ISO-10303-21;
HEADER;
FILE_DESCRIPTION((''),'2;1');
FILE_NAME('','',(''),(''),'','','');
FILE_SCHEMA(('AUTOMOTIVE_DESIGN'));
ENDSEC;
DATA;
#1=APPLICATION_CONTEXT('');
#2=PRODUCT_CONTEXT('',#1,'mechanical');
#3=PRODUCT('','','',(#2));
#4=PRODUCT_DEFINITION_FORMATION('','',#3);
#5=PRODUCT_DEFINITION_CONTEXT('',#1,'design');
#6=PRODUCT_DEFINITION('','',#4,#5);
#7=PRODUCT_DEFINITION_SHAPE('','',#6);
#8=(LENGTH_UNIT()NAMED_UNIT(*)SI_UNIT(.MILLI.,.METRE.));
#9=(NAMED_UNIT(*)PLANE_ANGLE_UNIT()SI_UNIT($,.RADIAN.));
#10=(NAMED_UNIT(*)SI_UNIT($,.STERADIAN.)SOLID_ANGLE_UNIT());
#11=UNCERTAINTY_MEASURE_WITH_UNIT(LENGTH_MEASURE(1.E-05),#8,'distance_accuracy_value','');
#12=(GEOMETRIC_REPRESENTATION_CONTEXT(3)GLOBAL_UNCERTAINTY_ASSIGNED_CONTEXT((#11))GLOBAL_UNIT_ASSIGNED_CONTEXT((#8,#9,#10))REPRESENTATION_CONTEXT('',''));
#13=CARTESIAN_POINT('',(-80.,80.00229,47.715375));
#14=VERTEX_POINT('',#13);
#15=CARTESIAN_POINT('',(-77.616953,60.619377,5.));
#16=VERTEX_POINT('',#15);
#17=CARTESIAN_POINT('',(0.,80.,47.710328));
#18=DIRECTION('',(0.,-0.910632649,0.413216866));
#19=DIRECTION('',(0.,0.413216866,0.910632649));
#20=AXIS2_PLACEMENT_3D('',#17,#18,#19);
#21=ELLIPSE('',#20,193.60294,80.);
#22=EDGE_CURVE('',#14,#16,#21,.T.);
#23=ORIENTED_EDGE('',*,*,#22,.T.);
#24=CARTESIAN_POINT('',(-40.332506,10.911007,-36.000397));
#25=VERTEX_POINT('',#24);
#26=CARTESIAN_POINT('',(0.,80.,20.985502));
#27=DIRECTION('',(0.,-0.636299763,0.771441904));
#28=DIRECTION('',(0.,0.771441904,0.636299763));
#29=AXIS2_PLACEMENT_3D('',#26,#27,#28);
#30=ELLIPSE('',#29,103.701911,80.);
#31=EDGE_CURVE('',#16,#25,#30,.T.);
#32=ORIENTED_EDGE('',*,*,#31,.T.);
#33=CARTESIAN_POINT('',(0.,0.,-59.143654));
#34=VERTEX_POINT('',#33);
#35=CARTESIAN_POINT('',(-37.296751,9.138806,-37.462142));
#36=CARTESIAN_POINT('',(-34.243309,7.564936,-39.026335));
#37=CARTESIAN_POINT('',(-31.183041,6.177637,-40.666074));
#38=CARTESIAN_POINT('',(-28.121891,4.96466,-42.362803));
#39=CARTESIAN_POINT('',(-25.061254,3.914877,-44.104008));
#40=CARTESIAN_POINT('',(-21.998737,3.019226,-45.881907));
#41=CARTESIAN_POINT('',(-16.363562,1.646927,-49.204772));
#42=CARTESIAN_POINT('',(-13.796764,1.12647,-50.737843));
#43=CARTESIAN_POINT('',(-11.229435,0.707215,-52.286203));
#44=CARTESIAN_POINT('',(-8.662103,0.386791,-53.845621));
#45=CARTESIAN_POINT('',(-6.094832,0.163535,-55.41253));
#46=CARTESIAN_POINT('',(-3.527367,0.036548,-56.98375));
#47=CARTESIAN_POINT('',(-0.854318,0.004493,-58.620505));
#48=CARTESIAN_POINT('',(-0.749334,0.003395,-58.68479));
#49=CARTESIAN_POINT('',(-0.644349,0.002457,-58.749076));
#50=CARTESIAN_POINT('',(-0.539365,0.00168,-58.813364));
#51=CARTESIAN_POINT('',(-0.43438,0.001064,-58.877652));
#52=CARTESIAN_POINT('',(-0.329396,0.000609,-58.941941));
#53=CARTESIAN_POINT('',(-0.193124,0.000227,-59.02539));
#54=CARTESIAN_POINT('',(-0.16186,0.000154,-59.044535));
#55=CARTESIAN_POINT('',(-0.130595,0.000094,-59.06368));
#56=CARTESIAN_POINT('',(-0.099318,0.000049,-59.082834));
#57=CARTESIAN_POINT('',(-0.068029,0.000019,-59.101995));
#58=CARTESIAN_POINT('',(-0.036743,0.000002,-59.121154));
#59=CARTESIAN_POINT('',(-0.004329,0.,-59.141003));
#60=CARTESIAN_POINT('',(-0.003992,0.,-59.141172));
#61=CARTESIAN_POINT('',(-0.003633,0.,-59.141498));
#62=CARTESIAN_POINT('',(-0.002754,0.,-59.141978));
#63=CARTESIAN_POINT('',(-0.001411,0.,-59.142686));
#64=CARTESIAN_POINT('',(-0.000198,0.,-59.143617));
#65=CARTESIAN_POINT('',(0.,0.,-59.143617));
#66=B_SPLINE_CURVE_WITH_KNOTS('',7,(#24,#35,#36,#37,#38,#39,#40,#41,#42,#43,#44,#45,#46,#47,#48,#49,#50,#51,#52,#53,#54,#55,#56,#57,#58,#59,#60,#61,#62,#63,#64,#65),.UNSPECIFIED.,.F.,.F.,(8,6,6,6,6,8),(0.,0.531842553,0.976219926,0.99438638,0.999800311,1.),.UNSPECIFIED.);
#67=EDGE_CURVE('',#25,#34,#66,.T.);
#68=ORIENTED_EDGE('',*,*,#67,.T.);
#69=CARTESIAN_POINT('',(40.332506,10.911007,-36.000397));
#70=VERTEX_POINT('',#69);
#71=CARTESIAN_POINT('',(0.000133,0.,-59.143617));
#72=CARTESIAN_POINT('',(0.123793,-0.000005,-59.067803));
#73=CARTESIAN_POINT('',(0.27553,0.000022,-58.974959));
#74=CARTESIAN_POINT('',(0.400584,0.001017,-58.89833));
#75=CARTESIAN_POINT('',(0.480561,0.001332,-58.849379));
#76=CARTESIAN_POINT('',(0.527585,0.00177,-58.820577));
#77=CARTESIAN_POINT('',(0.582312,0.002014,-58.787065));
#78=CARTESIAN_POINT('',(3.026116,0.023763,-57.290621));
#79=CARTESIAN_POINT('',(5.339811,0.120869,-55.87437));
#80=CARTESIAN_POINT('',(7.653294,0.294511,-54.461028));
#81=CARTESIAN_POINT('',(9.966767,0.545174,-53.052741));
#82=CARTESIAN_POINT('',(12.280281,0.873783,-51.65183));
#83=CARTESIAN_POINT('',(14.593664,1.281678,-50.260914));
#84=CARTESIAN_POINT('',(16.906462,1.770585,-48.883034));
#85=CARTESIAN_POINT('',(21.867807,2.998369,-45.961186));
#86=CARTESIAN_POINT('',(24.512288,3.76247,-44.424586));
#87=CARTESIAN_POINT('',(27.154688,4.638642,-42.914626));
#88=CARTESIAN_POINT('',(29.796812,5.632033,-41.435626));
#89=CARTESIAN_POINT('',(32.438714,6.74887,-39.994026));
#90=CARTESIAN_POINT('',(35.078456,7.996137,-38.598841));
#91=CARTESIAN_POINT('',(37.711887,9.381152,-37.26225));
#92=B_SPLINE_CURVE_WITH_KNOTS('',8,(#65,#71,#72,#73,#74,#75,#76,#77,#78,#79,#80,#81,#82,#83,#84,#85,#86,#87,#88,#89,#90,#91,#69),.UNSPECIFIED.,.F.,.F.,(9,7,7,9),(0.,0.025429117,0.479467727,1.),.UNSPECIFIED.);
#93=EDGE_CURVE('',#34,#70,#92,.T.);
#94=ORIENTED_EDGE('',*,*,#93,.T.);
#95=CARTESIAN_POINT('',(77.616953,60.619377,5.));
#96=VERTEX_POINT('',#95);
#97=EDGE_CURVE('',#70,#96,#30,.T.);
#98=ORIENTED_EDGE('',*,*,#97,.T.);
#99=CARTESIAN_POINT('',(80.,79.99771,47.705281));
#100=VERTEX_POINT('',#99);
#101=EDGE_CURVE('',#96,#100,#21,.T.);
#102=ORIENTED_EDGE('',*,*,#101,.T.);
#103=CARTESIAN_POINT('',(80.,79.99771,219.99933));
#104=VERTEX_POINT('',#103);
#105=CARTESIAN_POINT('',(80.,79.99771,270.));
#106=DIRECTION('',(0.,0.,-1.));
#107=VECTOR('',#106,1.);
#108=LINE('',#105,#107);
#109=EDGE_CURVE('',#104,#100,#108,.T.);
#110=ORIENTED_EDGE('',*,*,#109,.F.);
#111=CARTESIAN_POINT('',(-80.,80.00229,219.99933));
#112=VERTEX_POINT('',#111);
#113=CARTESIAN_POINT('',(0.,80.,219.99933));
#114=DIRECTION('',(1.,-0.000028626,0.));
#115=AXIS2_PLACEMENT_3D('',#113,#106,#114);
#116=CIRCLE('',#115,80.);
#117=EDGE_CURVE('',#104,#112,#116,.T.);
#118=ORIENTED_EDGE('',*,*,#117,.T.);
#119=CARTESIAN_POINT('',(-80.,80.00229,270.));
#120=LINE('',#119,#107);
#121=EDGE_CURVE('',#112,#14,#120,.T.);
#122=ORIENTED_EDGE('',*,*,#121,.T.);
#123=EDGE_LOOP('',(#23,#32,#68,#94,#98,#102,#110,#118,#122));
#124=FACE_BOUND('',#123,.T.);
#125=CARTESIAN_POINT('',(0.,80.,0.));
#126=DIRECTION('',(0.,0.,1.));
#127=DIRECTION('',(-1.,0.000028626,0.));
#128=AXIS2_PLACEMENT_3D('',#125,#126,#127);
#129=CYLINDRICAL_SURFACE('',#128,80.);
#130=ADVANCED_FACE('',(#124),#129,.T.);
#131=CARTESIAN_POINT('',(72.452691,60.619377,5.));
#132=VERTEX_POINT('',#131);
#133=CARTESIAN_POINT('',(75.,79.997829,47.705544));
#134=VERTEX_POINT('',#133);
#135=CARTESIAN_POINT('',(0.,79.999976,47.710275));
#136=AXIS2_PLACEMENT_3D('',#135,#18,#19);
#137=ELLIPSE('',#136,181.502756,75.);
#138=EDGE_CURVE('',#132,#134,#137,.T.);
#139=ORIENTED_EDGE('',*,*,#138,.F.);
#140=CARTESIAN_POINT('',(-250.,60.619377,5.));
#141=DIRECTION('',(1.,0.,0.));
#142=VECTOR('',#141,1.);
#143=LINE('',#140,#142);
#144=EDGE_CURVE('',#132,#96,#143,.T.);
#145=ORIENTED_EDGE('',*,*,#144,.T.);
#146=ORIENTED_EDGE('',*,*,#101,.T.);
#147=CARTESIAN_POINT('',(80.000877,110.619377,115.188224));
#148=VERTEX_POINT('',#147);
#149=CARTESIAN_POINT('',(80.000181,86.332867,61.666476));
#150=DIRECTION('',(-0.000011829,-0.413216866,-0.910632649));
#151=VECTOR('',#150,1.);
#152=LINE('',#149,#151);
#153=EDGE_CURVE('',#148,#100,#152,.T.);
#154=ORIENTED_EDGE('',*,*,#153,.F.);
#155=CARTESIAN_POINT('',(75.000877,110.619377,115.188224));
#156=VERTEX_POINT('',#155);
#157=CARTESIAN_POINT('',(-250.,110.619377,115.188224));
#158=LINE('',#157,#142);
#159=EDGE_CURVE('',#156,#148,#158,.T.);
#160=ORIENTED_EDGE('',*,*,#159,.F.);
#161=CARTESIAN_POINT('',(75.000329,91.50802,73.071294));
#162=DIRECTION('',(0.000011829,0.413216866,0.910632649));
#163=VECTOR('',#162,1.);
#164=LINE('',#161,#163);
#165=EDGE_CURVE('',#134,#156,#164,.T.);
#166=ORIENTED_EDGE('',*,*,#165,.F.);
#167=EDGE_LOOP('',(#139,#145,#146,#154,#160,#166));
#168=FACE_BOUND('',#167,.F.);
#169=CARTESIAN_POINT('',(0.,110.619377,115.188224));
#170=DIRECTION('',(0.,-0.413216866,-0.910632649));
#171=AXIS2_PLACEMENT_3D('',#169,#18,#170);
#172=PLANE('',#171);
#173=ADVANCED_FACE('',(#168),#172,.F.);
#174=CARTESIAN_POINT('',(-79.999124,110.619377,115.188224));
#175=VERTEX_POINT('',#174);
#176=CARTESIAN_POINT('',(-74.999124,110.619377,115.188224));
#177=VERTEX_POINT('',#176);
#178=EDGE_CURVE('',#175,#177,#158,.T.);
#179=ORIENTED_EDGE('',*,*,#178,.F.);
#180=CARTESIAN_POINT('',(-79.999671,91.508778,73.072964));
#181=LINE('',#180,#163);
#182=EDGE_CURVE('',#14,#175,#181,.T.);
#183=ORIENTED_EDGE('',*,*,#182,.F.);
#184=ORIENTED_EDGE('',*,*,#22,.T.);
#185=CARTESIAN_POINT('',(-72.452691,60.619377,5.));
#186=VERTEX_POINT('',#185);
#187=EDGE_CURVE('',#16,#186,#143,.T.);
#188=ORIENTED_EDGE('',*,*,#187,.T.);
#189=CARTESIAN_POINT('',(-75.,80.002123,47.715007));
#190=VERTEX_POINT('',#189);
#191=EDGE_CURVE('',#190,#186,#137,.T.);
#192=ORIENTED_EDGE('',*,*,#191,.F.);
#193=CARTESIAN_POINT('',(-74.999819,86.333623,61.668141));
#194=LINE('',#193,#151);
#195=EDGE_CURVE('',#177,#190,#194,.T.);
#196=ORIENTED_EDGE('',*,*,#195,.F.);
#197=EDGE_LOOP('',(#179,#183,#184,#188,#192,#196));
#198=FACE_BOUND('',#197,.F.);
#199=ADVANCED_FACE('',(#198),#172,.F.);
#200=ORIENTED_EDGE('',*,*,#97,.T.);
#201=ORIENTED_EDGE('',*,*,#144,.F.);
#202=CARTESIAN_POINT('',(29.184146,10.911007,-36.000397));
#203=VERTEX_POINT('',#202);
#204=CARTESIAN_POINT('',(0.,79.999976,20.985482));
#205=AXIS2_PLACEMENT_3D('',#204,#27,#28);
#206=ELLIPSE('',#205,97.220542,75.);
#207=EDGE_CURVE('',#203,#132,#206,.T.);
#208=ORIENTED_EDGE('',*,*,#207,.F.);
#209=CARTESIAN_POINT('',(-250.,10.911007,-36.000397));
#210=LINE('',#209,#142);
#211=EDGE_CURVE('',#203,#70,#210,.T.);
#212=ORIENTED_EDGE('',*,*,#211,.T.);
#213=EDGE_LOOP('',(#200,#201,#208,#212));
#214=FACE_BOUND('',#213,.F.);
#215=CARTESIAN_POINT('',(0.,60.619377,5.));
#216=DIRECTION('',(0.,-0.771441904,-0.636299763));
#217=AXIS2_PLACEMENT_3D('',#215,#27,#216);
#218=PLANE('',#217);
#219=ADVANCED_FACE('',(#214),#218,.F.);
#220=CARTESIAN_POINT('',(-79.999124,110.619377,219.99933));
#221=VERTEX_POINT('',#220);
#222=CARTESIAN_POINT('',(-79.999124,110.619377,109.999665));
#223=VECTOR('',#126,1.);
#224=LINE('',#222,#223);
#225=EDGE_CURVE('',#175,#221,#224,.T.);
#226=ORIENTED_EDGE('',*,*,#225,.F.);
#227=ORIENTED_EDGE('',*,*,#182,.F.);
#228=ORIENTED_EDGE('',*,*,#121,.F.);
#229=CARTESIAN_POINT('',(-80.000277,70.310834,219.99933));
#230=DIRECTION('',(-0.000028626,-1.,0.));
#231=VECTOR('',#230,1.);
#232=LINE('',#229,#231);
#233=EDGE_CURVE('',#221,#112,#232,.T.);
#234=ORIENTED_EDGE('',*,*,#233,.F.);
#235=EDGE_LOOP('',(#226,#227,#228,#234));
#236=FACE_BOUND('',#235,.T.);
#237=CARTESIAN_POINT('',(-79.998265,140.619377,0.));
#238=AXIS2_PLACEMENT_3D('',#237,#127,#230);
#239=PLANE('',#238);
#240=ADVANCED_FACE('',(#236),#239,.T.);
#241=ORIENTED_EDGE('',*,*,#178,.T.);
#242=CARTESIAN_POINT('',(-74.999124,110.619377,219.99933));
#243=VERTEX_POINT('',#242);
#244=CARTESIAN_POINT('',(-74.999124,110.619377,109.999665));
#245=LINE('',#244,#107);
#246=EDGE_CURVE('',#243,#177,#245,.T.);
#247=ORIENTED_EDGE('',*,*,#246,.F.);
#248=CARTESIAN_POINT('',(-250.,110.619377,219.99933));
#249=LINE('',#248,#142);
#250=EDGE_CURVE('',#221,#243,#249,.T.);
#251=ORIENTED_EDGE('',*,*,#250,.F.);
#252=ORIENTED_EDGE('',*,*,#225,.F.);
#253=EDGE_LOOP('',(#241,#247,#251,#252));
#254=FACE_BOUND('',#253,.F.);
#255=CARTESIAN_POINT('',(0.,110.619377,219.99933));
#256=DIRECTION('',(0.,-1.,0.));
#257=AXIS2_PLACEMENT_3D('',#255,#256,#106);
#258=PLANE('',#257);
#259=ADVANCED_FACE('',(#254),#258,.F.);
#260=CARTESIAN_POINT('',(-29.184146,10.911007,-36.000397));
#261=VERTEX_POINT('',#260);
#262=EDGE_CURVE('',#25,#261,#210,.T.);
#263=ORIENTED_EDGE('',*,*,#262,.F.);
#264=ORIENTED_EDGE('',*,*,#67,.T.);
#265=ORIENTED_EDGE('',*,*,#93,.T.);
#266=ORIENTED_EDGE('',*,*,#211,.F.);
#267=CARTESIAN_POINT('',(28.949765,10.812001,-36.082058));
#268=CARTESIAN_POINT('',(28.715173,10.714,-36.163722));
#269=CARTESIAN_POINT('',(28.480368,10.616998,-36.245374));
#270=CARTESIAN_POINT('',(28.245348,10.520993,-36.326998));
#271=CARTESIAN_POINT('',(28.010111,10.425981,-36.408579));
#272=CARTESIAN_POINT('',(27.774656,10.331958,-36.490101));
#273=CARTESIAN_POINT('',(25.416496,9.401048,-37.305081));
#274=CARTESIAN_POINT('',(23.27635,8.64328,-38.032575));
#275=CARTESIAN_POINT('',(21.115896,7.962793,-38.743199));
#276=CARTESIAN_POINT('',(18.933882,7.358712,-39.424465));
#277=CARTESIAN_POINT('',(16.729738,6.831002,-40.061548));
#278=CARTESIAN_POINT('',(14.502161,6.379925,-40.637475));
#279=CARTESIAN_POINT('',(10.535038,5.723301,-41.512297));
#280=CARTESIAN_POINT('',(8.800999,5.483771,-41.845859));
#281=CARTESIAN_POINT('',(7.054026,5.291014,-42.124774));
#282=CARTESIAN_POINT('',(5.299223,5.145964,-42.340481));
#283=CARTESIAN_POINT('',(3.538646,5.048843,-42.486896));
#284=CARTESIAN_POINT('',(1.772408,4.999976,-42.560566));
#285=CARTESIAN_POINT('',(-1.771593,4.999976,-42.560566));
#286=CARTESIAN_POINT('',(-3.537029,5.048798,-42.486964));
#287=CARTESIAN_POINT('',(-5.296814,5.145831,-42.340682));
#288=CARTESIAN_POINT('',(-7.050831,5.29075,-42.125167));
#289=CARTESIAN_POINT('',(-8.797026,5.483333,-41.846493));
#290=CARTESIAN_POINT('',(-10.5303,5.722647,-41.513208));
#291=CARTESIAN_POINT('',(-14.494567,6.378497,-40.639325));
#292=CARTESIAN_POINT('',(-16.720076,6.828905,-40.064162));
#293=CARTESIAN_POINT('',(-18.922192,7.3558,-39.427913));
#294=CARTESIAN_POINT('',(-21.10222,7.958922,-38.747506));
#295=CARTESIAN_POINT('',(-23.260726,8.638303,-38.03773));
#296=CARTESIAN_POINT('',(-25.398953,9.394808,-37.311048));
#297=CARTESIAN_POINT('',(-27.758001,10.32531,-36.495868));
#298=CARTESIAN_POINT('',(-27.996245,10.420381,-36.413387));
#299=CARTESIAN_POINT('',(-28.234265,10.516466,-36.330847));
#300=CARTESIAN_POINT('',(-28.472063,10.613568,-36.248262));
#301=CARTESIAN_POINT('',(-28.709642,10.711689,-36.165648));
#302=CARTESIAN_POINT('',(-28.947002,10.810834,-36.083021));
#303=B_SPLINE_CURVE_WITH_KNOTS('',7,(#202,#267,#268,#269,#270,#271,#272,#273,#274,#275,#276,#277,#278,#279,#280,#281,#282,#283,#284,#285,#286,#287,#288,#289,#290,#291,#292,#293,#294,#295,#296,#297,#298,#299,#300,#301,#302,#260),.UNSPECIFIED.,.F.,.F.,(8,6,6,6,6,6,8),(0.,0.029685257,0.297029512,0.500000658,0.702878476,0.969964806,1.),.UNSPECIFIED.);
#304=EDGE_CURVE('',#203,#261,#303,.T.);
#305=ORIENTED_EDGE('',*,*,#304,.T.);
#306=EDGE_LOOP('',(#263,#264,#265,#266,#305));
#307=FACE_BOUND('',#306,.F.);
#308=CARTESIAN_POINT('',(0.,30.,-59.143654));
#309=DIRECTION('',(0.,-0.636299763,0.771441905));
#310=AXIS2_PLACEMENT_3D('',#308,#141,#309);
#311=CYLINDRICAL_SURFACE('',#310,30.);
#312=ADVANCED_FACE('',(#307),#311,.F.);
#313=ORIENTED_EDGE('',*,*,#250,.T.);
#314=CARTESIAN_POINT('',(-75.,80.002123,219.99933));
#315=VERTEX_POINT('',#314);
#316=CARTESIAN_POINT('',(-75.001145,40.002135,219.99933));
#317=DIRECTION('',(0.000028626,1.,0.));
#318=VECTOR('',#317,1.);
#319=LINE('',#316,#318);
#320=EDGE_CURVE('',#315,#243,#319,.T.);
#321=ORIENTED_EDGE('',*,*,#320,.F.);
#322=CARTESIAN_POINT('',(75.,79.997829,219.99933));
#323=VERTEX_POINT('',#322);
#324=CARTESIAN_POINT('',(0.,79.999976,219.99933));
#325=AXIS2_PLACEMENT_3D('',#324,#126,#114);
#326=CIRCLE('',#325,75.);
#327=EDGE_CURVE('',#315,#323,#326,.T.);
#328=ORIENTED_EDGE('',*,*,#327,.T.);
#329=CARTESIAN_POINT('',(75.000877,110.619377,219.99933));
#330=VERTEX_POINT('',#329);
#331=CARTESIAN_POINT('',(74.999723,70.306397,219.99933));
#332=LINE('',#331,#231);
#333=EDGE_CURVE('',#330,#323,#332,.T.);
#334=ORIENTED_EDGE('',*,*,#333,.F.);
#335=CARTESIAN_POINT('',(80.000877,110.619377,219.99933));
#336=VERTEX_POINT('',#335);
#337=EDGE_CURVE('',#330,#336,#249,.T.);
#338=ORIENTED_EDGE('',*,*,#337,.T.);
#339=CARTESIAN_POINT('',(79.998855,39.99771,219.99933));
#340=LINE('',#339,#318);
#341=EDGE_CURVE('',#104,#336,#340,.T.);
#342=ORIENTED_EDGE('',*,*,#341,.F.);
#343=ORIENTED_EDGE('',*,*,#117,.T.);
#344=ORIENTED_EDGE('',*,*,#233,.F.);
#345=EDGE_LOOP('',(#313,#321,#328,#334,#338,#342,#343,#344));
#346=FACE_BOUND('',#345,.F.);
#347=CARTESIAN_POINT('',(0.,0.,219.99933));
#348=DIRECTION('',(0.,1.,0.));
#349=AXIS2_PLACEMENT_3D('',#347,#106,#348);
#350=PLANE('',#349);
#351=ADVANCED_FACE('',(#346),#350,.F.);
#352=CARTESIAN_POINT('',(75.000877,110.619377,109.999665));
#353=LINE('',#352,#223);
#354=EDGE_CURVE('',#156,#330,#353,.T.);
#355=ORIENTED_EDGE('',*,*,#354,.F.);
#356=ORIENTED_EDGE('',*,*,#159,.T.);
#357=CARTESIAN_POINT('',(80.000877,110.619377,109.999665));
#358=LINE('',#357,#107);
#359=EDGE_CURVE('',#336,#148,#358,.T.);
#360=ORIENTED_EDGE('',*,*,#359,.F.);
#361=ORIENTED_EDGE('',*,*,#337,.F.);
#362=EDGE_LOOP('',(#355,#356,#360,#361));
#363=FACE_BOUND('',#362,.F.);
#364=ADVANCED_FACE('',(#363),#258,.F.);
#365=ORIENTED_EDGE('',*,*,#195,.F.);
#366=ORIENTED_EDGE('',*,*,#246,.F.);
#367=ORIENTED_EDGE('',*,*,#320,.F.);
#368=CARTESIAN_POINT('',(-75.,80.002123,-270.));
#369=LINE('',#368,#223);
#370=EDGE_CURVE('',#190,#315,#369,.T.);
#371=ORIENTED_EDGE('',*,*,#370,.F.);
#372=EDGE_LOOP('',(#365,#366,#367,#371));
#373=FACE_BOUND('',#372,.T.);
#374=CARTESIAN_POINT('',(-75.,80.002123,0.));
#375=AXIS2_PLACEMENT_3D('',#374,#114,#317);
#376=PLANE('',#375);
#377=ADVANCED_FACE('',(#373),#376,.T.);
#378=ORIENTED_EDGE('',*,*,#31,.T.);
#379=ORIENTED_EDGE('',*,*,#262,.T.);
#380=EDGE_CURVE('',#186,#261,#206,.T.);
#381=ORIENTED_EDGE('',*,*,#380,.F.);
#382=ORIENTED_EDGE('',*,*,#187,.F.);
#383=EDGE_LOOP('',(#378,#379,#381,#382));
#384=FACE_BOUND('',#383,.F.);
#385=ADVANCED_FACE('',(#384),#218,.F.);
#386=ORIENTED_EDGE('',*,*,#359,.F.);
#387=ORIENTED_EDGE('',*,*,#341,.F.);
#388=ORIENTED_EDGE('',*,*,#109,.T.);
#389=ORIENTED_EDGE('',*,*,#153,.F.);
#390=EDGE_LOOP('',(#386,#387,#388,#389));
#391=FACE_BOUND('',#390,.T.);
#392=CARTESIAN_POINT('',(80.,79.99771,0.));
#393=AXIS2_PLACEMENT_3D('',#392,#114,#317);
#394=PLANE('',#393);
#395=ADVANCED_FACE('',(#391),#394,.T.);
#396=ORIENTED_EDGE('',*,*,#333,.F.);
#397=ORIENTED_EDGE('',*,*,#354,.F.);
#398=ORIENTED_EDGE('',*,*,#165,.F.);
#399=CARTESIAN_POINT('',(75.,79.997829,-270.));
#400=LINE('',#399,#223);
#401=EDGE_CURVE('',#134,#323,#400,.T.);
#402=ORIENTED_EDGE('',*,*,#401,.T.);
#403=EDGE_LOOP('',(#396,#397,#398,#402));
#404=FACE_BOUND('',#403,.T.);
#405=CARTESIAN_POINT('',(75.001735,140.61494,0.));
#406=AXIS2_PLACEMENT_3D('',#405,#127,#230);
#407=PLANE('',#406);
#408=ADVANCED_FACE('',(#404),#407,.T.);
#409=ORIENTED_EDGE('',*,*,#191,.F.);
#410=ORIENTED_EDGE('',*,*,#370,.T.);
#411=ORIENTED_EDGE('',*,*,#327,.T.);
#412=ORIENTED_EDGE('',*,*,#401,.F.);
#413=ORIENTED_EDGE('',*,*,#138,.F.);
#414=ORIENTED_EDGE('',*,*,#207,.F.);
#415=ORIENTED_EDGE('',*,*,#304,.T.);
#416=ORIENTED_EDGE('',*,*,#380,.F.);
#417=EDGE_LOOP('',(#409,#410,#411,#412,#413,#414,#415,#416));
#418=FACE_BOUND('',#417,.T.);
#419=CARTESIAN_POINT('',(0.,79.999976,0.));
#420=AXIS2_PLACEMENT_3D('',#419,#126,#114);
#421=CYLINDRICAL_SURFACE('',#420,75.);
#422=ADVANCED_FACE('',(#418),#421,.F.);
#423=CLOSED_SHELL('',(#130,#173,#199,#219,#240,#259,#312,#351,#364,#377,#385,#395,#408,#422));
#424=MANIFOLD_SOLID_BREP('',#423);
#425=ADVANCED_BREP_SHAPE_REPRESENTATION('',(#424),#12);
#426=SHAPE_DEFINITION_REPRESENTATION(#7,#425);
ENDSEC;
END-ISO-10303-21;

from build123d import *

# Parameters (mm, degrees)
F1_DEPTH = 270
F3_DEPTH = 250


with BuildPart() as f1:
    # F0 (on Top) → F1 (new body, symmetric)
    with BuildSketch(Plane.XY):
        with BuildLine():
            Line((79.9999999672, 79.9977099118), (80.0017351981, 140.6147968648))
            Line((80.0017351981, 140.6147968648), (75.0017352002, 140.6149399953))
            Line((75.0017352002, 140.6149399953), (74.9999999686, 79.9978290345))
            ThreePointArc((74.9999999686, 79.9978290345), (-0.0021469583, 4.9999760229), (-74.99999997, 80.0021229498))
            Line((-74.99999997, 80.0021229498), (-74.9982647384, 140.6192339106))
            Line((-74.9982647384, 140.6192339106), (-79.9982647363, 140.6193770411))
            Line((-79.9982647363, 140.6193770411), (-79.9999999672, 80.0022900882))
            ThreePointArc((-79.9999999672, 80.0022900882), (-0.0022900882, 3.28e-08), (79.9999999672, 79.9977099118))
        make_face()
    extrude(amount=F1_DEPTH, both=True)

    # F2 (on Right) → F3 (cut, symmetric)
    with BuildSketch(Plane.YZ):
        with BuildLine():
            Line((140.6193770411, -270), (140.6193770411, 270))
            Line((140.6193770411, 270), (0, 270))
            Line((0, 270), (0, 219.99933))
            Line((0, 219.99933), (110.6193770411, 219.99933))
            Line((110.6193770411, 219.99933), (110.6193770411, 115.1882235752))
            Line((110.6193770411, 115.1882235752), (60.6193770411, 5))
            Line((60.6193770411, 5), (10.9110071197, -36.0003965298))
            ThreePointArc((10.9110071197, -36.0003965298), (2.8645086058, -46.3504872547), (0, -59.1436536647))
            Line((0, -59.1436536647), (0, -270))
            Line((0, -270), (140.6193770411, -270))
        make_face()
    extrude(amount=F3_DEPTH, both=True, mode=Mode.SUBTRACT)


solid = f1.part
